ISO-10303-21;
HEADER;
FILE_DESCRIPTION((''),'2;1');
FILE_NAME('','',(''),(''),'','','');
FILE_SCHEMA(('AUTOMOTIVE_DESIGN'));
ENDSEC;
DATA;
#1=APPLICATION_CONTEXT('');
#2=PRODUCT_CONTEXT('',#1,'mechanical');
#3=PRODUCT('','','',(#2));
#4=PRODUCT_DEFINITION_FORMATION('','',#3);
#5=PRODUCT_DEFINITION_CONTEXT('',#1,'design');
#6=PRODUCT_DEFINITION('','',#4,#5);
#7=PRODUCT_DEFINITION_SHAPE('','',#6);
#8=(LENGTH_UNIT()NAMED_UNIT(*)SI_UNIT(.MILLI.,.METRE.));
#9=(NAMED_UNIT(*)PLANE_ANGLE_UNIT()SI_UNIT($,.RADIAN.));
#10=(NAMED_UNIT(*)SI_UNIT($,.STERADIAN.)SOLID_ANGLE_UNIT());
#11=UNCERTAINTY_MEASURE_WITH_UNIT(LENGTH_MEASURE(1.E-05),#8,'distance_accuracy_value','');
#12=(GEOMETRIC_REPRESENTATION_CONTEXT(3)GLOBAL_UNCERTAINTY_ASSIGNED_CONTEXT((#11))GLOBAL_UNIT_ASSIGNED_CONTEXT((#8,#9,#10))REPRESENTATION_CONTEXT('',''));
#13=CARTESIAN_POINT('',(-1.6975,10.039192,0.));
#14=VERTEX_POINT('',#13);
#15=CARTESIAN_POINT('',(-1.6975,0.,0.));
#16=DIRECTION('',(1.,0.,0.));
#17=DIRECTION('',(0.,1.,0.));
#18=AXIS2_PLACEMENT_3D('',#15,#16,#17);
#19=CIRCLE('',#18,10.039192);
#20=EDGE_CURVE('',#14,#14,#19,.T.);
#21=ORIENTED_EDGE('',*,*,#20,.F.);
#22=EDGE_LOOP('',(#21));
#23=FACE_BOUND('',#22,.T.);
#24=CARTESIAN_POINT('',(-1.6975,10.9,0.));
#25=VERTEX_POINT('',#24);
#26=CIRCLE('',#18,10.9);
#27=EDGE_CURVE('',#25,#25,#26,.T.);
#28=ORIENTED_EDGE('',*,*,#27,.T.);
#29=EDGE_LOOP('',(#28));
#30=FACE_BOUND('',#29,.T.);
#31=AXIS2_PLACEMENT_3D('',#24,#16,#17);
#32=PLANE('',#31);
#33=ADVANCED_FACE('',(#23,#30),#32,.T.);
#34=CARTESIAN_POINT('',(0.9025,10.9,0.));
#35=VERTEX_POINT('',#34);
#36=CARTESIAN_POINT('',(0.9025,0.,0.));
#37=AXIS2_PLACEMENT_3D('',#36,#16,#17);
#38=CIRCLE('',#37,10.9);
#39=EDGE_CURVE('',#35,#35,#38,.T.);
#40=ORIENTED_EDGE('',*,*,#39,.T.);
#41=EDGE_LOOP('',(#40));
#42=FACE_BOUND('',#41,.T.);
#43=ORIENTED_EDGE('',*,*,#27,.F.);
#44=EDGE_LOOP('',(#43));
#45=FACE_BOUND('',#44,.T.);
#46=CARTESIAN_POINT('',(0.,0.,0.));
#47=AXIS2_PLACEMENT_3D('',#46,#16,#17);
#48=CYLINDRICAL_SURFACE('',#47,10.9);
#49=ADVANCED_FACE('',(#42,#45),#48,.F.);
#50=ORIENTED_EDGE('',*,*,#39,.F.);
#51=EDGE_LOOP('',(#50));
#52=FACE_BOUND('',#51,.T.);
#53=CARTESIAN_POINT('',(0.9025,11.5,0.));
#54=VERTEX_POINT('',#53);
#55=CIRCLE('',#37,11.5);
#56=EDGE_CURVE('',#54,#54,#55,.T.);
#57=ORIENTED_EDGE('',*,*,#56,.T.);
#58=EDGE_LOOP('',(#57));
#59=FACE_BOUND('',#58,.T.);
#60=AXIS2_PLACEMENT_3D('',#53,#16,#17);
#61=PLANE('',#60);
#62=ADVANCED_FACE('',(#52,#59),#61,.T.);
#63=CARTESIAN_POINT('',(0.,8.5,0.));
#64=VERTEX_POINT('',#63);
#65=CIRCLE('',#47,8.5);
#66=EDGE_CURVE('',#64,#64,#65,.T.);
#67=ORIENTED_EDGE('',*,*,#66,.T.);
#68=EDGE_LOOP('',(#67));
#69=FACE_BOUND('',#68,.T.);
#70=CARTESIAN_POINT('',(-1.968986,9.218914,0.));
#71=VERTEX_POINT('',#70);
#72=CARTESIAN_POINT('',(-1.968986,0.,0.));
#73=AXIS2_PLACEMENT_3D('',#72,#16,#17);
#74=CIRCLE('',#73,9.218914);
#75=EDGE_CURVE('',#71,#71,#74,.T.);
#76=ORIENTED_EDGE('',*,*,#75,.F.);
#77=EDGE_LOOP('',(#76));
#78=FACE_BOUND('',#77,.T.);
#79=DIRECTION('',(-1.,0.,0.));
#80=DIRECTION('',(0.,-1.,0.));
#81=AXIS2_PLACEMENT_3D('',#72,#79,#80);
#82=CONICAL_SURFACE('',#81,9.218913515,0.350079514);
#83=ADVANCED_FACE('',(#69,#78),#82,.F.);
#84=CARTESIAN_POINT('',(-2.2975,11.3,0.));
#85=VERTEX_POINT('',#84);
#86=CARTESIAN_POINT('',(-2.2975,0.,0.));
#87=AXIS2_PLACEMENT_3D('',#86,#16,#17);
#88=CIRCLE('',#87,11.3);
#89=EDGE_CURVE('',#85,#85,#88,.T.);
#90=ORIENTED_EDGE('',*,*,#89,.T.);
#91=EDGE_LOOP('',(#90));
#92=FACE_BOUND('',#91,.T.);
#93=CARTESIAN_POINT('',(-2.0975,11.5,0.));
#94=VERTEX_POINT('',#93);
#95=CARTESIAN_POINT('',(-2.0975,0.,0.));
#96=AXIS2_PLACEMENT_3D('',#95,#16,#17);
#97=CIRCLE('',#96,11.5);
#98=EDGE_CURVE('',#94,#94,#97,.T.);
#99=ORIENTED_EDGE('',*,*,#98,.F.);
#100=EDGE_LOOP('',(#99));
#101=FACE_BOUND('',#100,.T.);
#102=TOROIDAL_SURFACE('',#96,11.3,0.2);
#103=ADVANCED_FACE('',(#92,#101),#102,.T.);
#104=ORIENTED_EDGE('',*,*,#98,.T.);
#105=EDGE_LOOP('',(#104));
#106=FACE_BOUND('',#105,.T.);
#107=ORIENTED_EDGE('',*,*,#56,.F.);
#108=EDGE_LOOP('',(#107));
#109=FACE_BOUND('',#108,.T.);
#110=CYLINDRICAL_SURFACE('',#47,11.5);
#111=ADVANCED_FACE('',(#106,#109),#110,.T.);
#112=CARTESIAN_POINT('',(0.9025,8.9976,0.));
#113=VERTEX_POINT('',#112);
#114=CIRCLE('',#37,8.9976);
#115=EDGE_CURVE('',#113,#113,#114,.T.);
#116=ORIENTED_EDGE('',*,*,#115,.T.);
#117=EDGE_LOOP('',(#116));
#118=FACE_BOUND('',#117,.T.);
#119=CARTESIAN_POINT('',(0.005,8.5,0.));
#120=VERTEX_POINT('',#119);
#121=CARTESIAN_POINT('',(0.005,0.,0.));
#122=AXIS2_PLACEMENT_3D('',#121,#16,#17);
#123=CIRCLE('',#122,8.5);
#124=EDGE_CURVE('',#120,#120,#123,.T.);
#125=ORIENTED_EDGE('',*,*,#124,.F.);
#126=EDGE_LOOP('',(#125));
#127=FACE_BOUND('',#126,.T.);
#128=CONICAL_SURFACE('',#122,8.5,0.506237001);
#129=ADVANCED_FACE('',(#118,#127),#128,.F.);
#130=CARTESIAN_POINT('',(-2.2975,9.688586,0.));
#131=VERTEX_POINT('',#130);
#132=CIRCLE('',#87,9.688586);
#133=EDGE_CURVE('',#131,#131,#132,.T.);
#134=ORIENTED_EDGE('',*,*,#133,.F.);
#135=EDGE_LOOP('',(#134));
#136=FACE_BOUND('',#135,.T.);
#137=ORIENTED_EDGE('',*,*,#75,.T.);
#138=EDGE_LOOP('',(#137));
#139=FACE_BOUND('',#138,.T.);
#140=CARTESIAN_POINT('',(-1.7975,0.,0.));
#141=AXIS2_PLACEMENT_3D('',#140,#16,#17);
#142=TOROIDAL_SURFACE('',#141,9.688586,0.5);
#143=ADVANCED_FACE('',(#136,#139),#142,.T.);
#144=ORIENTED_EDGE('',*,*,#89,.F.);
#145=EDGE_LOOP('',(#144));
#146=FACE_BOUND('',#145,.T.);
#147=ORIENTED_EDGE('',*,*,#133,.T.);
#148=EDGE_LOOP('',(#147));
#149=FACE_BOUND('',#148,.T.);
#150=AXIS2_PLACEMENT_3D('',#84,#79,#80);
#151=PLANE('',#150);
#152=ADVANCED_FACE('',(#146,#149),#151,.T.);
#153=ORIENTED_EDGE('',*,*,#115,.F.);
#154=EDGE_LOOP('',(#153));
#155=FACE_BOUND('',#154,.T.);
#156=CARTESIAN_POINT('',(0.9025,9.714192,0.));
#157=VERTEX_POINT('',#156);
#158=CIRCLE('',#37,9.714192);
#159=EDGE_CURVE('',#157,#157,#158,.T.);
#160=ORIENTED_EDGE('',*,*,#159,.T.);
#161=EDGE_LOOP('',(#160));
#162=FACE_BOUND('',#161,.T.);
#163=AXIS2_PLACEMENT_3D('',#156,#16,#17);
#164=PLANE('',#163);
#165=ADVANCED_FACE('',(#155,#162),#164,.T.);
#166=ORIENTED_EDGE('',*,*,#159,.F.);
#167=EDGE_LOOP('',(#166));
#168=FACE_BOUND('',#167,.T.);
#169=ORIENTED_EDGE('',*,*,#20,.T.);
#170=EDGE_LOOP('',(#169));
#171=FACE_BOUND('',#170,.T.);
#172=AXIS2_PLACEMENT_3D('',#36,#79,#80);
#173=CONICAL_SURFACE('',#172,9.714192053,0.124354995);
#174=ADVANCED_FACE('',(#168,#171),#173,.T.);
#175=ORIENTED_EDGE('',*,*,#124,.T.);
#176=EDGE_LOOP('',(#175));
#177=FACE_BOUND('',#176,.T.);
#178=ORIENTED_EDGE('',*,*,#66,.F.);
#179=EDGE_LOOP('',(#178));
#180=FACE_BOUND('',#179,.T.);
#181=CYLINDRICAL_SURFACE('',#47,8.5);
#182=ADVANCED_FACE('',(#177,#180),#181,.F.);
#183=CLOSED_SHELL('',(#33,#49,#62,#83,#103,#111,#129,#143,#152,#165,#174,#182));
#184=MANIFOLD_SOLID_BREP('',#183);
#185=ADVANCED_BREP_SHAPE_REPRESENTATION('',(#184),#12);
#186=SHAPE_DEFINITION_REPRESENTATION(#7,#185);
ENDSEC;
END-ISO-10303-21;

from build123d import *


with BuildPart() as part:
    # Sketch1 → Revolve2 (revolve)
    with BuildSketch(Plane.XY):
        with BuildLine():
            Line((0.9025, 9.714192053), (0.9025, 8.997599754))
            Line((0.9025, 8.997599754), (0.005, 8.5))
            Line((0.005, 8.5), (0, 8.5))
            Line((0, 8.5), (-1.96898625, 9.218913515))
            ThreePointArc((-1.96898625, 9.218913515), (-2.207221323, 9.402005642), (-2.2975, 9.688586237))
            Line((-2.2975, 9.688586237), (-2.2975, 11.3))
            ThreePointArc((-2.2975, 11.3), (-2.238921356, 11.441421356), (-2.0975, 11.5))
            Line((-2.0975, 11.5), (0.9025, 11.5))
            Line((0.9025, 11.5), (0.9025, 10.9))
            Line((0.9025, 10.9), (-1.6975, 10.9))
            Line((-1.6975, 10.9), (-1.6975, 10.039192053))
            Line((-1.6975, 10.039192053), (0.9025, 9.714192053))
        make_face()
    revolve(axis=Axis((0, 0, 0), (-1, 0, 0)))


solid = part.part
